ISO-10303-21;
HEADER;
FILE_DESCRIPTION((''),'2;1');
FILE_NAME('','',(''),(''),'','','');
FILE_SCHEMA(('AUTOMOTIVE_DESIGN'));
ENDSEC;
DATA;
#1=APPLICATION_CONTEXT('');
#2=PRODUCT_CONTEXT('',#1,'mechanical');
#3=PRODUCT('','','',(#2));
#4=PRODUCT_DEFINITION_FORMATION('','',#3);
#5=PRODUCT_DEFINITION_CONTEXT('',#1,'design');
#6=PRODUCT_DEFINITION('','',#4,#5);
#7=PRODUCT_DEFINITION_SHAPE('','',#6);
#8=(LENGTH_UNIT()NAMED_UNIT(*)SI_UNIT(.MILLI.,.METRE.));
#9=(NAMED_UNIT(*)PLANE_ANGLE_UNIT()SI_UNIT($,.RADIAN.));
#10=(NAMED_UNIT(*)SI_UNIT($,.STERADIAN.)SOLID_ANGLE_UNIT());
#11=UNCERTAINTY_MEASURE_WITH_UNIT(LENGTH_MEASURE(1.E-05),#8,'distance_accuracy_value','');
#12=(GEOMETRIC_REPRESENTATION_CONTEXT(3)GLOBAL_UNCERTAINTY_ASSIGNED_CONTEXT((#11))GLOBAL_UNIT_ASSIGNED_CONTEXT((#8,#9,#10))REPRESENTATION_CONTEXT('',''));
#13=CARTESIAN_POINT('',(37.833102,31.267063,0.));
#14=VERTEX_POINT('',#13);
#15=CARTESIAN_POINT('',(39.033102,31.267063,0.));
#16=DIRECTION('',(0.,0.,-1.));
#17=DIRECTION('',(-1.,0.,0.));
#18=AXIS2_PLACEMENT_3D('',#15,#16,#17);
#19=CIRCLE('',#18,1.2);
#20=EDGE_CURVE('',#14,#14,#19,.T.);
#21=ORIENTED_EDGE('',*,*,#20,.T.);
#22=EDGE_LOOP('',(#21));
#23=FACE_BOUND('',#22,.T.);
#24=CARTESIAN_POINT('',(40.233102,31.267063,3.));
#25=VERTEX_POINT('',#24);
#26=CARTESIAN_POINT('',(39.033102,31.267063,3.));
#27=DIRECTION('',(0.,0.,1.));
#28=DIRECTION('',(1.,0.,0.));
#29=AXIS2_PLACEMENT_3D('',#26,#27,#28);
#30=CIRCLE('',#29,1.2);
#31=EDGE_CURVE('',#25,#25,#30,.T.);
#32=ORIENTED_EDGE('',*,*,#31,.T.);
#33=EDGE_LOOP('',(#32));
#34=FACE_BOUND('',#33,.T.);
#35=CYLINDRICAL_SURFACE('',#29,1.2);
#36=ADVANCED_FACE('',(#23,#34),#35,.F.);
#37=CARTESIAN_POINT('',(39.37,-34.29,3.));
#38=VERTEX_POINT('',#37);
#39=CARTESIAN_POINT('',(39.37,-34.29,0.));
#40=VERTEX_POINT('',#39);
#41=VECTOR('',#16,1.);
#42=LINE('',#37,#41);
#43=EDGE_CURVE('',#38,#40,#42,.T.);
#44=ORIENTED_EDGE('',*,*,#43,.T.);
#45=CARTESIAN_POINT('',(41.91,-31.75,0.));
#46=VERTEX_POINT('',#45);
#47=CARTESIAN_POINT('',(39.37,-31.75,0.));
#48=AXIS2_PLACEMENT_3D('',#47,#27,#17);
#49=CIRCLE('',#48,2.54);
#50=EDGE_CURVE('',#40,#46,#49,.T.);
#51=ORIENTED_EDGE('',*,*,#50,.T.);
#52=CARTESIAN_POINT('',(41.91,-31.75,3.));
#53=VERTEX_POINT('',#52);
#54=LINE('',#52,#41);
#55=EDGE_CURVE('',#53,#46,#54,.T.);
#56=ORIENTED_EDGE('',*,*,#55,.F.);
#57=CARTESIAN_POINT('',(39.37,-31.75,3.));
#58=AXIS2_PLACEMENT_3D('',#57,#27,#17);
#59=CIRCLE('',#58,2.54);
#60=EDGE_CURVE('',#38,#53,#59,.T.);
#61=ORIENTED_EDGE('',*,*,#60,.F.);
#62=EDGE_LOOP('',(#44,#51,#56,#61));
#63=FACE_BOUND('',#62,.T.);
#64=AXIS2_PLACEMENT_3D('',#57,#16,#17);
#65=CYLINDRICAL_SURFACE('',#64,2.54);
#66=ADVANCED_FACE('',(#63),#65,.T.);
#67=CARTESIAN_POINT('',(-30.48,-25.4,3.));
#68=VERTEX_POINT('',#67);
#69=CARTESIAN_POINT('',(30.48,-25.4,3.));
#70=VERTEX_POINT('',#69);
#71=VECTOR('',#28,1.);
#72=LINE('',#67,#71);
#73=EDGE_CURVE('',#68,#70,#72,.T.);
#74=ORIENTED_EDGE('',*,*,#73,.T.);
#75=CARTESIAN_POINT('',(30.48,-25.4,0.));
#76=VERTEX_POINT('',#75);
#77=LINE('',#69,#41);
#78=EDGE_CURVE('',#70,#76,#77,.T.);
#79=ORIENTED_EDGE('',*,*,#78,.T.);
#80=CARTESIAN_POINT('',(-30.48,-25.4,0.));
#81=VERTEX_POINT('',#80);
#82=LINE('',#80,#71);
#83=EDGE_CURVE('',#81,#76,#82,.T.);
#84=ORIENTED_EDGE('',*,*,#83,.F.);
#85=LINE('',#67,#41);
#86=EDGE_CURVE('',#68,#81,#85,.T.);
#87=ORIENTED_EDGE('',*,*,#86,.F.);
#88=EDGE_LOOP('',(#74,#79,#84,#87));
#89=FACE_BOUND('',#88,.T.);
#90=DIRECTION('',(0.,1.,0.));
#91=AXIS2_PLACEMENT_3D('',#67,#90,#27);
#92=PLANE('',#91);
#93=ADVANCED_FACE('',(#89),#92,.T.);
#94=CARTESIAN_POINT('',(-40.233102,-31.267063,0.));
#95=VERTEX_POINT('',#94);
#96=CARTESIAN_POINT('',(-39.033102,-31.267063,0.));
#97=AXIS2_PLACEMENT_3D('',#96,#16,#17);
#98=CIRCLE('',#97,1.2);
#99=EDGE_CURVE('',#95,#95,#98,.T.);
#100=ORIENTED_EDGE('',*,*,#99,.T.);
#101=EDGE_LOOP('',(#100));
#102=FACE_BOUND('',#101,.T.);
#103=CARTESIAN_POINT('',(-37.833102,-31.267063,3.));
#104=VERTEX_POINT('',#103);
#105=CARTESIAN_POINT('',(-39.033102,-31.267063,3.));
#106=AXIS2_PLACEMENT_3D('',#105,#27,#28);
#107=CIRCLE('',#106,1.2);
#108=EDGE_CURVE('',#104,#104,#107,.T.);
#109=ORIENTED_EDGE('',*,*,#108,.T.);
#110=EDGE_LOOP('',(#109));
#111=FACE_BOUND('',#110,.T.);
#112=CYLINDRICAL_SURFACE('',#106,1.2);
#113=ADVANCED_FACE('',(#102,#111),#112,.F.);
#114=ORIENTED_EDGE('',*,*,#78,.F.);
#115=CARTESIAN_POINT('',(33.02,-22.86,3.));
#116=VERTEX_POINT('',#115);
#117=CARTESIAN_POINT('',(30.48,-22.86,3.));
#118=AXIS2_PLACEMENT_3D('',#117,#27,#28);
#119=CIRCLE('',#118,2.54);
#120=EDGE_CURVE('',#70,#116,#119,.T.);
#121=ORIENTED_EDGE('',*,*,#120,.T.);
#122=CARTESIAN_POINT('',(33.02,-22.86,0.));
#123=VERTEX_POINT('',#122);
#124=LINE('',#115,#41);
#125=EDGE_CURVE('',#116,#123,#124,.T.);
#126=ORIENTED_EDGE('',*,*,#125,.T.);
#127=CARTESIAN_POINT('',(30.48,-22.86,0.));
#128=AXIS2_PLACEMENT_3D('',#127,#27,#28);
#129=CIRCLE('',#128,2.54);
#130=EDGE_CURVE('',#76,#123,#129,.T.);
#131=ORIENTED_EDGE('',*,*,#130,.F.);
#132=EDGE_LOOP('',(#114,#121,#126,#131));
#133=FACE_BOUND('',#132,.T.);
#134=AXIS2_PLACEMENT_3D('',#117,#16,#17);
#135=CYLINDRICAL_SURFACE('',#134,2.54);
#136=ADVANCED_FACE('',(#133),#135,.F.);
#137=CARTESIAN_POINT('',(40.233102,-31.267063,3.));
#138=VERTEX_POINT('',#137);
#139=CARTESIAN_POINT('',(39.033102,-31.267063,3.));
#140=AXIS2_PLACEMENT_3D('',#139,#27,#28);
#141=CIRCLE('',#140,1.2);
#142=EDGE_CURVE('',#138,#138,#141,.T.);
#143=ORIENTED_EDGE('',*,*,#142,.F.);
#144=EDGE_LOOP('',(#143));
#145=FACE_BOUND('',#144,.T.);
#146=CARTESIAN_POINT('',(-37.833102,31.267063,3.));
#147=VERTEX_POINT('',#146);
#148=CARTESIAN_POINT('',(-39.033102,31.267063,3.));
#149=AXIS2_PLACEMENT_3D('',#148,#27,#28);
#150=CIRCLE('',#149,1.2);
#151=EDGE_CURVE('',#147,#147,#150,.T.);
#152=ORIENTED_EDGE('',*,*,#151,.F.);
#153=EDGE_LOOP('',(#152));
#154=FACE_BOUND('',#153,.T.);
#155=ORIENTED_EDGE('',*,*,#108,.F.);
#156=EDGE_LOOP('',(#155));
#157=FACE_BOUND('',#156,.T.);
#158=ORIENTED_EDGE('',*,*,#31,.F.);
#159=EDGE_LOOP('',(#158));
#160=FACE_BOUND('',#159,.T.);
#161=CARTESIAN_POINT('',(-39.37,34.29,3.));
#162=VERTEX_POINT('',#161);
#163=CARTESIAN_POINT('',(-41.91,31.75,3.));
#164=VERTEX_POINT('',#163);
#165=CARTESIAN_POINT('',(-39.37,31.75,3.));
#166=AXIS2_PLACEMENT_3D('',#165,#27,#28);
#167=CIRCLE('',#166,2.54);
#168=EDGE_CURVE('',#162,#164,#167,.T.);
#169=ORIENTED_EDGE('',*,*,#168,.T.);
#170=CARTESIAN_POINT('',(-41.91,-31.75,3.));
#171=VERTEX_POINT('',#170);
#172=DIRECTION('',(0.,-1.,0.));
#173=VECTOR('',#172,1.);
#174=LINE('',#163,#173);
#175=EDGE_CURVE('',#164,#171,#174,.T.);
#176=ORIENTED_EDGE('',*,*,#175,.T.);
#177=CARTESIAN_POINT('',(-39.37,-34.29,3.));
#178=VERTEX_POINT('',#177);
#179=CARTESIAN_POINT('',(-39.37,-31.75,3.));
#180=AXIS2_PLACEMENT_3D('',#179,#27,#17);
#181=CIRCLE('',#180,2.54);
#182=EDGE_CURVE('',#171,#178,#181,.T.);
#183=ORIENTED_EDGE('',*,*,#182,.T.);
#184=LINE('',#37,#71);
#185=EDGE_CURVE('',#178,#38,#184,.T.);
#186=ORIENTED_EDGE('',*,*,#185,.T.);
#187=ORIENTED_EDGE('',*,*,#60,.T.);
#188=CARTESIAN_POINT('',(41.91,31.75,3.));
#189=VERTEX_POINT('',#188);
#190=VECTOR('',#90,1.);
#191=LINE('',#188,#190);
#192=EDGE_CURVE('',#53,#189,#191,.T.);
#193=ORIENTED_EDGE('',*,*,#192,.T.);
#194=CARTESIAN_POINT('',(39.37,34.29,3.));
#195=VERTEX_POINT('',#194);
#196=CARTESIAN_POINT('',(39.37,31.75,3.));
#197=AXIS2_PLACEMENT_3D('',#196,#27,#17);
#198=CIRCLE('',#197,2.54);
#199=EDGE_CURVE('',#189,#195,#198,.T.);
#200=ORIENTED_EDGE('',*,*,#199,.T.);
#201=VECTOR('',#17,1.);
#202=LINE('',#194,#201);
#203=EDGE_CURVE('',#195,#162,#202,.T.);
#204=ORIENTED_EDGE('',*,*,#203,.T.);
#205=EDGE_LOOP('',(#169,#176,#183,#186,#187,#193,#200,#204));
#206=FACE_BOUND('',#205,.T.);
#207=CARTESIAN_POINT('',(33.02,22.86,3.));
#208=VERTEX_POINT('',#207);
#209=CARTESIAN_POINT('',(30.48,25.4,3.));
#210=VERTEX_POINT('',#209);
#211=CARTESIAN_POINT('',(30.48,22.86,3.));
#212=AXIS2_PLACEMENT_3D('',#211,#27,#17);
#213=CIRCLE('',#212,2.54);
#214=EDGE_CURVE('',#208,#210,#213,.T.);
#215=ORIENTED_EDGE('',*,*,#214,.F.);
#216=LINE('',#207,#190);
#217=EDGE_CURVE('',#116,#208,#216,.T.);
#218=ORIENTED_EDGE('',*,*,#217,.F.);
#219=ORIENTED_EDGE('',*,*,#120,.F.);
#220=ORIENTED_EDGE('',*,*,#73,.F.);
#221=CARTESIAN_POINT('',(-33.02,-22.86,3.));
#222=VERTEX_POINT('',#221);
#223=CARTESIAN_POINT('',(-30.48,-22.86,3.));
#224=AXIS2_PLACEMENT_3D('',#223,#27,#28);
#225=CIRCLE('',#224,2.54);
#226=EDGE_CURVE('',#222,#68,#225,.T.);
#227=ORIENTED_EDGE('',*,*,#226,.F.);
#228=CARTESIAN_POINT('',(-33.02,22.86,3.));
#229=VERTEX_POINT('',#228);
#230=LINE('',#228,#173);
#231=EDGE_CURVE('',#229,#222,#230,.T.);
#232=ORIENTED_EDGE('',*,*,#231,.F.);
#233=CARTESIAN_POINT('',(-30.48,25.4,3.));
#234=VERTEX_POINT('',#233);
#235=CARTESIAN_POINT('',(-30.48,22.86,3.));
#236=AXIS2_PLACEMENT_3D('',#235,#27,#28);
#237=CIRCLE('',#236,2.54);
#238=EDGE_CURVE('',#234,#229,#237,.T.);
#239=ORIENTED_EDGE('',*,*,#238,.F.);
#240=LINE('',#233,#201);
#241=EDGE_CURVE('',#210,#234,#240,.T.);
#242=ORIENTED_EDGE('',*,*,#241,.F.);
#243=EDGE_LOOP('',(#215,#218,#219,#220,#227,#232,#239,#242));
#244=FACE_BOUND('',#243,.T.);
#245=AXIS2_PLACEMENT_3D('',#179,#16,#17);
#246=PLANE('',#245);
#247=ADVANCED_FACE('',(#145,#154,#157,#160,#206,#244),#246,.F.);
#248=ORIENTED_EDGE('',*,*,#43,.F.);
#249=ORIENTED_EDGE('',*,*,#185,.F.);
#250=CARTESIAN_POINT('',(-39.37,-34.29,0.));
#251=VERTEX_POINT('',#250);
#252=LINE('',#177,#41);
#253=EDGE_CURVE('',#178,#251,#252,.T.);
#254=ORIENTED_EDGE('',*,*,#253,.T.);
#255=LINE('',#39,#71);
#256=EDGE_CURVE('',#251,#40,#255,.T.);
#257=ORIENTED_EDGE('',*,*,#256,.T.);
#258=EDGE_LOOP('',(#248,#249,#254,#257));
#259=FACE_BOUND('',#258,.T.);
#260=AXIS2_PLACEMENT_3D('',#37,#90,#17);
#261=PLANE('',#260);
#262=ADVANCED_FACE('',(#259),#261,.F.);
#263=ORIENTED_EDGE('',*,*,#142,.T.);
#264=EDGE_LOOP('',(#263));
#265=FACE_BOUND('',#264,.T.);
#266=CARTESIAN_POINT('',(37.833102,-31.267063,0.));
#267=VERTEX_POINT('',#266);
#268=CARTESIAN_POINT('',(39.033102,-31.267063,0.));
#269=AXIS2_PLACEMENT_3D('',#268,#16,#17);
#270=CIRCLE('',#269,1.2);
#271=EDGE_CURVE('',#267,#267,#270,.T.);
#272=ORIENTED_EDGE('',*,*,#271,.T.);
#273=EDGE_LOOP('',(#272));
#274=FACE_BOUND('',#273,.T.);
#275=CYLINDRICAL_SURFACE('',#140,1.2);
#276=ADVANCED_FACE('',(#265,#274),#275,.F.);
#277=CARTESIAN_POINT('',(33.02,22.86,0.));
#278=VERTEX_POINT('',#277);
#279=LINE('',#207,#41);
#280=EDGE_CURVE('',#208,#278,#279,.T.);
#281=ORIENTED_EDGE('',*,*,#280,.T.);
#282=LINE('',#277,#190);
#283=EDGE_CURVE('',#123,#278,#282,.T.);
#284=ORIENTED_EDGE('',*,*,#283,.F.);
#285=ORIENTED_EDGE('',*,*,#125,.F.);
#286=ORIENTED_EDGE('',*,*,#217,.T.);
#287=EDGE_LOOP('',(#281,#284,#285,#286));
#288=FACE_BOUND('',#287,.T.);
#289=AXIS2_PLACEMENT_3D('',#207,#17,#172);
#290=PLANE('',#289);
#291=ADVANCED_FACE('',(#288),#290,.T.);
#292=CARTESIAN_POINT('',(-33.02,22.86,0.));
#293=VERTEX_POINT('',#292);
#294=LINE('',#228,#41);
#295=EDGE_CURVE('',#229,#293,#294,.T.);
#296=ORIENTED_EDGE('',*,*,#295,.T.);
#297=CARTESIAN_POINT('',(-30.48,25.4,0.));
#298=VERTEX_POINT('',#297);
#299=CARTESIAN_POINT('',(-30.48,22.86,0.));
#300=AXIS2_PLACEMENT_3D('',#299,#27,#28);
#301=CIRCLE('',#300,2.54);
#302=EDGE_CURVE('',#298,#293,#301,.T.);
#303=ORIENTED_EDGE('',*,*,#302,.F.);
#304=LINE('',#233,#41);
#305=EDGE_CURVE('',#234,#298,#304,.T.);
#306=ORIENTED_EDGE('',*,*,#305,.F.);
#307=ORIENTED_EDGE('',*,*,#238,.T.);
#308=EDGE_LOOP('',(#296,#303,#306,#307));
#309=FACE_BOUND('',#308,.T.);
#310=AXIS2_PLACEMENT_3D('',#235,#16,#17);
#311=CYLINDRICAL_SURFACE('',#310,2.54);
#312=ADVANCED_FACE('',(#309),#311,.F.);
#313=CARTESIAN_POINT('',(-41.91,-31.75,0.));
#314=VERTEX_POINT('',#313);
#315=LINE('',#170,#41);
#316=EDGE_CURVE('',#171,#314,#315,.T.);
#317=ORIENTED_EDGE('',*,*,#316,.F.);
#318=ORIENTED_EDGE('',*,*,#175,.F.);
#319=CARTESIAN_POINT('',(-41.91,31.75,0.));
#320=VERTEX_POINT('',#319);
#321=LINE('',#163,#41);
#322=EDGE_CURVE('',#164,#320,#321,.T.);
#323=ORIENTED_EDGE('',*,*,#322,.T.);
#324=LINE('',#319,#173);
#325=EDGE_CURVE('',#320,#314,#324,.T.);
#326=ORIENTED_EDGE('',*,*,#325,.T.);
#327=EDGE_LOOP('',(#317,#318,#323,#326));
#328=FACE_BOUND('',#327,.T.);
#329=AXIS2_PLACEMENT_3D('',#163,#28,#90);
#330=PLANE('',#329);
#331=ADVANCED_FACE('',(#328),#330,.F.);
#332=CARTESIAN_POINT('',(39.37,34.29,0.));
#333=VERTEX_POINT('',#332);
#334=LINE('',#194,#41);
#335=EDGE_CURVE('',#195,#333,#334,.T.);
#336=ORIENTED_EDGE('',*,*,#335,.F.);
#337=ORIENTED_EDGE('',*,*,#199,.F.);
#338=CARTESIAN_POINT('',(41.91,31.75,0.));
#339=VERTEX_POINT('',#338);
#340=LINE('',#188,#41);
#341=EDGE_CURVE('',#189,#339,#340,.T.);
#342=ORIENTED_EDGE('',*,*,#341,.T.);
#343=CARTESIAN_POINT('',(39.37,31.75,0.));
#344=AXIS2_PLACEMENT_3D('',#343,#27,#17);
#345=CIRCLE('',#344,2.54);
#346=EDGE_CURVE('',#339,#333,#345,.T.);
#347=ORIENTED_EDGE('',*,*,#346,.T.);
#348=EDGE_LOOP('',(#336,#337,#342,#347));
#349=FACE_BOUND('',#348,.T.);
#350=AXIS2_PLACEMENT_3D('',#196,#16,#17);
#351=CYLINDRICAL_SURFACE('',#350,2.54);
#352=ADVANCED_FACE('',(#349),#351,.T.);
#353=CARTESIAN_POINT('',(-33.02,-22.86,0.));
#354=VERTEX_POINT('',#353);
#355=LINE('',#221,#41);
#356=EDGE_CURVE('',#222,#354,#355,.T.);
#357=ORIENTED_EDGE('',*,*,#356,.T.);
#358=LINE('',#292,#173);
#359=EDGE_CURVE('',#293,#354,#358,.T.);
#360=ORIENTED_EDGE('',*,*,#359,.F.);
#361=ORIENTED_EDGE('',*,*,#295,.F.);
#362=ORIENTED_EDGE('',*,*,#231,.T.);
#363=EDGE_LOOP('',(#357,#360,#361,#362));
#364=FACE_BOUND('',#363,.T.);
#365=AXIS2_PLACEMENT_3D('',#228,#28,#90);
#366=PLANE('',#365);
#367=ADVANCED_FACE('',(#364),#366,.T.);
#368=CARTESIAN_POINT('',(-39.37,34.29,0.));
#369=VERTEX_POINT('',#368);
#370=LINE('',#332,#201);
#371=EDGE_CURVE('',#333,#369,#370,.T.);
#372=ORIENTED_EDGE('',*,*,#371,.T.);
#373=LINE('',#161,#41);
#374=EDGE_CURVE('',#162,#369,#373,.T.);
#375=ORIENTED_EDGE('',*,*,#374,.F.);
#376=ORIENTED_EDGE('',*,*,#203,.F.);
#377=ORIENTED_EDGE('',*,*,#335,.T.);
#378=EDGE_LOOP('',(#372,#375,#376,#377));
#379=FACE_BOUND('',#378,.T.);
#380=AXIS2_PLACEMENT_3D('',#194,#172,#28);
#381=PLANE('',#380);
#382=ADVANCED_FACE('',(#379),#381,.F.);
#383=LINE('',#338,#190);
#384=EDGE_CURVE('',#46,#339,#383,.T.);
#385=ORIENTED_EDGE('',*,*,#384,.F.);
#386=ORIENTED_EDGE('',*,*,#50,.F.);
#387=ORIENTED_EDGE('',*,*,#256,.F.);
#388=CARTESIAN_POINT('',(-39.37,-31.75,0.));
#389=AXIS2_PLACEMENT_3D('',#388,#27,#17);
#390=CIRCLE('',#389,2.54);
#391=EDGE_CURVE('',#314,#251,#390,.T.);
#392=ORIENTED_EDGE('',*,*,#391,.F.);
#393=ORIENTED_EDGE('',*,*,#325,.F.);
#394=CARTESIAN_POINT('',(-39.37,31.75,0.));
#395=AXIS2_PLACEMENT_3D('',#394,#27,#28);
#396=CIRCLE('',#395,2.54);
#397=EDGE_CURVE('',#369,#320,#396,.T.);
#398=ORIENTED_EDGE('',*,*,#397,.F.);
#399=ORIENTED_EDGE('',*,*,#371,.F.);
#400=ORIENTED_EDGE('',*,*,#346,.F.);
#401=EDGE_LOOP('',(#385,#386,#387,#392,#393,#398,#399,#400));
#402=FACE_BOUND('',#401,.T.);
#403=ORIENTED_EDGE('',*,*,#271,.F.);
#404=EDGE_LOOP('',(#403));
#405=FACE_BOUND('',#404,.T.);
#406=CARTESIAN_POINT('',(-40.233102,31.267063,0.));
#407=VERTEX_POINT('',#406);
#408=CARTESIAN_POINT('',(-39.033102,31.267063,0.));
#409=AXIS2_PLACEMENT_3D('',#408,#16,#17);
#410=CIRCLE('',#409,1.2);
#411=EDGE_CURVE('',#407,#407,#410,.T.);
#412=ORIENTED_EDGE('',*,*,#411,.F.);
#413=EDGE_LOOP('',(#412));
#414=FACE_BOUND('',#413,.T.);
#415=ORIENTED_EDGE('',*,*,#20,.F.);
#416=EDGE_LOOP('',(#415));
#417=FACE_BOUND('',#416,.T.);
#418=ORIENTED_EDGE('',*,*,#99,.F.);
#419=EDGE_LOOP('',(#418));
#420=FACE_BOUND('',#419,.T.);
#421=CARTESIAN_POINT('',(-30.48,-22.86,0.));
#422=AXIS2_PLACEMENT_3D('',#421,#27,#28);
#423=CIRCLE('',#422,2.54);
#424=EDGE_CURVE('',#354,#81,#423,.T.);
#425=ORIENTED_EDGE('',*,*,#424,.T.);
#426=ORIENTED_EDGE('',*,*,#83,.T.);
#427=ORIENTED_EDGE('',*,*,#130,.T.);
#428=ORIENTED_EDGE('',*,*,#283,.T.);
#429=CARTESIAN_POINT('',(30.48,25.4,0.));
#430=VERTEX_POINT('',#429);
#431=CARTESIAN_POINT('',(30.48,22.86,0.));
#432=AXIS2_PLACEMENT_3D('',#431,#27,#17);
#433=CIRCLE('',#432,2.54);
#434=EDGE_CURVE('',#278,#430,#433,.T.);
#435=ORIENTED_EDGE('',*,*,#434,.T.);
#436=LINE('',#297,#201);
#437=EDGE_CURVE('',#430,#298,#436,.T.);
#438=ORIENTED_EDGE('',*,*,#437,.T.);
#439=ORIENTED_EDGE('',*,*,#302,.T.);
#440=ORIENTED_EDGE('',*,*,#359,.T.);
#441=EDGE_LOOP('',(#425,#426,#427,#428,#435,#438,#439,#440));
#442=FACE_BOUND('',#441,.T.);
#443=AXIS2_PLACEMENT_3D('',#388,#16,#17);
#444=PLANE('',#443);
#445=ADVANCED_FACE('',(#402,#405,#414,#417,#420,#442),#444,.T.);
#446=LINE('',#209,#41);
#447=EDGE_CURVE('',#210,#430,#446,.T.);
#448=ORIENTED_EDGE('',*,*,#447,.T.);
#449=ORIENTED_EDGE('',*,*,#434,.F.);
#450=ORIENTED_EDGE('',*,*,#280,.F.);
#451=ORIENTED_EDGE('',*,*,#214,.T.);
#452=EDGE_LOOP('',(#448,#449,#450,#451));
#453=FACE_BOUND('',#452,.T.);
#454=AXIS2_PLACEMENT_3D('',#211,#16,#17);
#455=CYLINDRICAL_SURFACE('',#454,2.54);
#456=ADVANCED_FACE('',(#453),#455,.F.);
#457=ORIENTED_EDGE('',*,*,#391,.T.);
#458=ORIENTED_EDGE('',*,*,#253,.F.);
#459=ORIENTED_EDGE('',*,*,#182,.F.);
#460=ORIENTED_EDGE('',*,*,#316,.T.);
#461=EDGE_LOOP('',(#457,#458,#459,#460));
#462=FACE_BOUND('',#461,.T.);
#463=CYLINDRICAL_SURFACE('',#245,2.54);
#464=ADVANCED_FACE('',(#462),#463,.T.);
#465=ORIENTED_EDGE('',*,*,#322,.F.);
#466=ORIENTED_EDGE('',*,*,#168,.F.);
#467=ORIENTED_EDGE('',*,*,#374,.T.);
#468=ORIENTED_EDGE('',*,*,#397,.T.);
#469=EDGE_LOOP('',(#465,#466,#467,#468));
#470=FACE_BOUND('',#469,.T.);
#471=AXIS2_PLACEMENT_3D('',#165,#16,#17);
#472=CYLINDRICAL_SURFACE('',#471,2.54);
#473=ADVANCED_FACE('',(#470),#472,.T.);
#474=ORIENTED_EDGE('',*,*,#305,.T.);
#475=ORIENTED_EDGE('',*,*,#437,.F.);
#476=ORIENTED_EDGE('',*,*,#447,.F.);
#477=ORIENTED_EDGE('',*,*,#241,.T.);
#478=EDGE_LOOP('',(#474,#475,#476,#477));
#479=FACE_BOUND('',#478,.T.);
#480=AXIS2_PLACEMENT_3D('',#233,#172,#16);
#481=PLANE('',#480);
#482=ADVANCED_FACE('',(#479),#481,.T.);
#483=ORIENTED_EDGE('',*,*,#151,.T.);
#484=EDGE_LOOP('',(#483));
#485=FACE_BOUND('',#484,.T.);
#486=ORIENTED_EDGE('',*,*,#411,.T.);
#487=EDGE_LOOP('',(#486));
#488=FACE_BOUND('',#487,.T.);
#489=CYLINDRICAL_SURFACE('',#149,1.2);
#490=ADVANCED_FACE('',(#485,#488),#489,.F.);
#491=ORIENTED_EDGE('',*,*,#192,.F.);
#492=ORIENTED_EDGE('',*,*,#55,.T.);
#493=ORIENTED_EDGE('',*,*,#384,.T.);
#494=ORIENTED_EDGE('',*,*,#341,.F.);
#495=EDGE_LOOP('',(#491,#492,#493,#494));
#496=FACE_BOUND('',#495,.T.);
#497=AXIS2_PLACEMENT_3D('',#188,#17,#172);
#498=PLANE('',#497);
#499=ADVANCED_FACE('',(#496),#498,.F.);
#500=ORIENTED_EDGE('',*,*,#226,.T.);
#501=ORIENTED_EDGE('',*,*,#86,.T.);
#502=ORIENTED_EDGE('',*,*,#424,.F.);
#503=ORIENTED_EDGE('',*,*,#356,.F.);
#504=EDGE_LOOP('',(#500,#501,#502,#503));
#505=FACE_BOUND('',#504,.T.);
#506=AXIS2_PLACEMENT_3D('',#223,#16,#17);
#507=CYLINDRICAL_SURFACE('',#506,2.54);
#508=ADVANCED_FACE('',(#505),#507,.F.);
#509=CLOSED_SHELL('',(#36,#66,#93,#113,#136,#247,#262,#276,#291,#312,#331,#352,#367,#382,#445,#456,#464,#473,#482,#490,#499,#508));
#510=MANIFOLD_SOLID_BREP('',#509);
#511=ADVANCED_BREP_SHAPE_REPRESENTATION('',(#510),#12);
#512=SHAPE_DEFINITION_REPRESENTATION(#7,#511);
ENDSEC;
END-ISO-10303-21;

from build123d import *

# Parameters (mm, degrees)
BOSS_EXTRUDE1_DEPTH = 3


with BuildPart() as part:
    # Sketch1 → Boss-Extrude1 (new body)
    with BuildSketch(Plane.XY):
        with BuildLine():
            Line((39.37, 34.29), (-39.37, 34.29))
            ThreePointArc((-39.37, 34.29), (-41.166051224, 33.546051224), (-41.91, 31.75))
            Line((-41.91, 31.75), (-41.91, -31.75))
            ThreePointArc((-41.91, -31.75), (-41.166051224, -33.546051224), (-39.37, -34.29))
            Line((-39.37, -34.29), (39.37, -34.29))
            ThreePointArc((39.37, -34.29), (41.166051224, -33.546051224), (41.91, -31.75))
            Line((41.91, -31.75), (41.91, 31.75))
            ThreePointArc((41.91, 31.75), (41.166051224, 33.546051224), (39.37, 34.29))
        make_face()
        with BuildLine():
            Line((-30.48, 25.4), (30.48, 25.4))
            ThreePointArc((30.48, 25.4), (32.276051224, 24.656051224), (33.02, 22.86))
            Line((33.02, 22.86), (33.02, -22.86))
            ThreePointArc((33.02, -22.86), (32.276051224, -24.656051224), (30.48, -25.4))
            Line((30.48, -25.4), (-30.48, -25.4))
            ThreePointArc((-30.48, -25.4), (-32.276051224, -24.656051224), (-33.02, -22.86))
            Line((-33.02, -22.86), (-33.02, 22.86))
            ThreePointArc((-33.02, 22.86), (-32.276051224, 24.656051224), (-30.48, 25.4))
        make_face(mode=Mode.SUBTRACT)
    extrude(amount=BOSS_EXTRUDE1_DEPTH)

    # Sketch3 → M2 Clearance Hole1 (revolve, cut)
    with BuildSketch(Plane(origin=(-39.033101712, 31.267063068, 3), x_dir=(0, -1, 0), z_dir=(1, 0, 0))):
        Polygon((0, 0), (0, 3.769032743), (1.2, 3.048), (1.2, 0), align=None)
    m2_clearance_hole1 = revolve(axis=Axis((-39.033101712, 31.267063068, 9.35), (0, 0, -1)), mode=Mode.SUBTRACT)

    # Mirror1: M2 Clearance Hole1 across plane
    add(m2_clearance_hole1.mirror(Plane.ZX), mode=Mode.SUBTRACT)

    # Mirror2: M2 Clearance Hole1 across plane
    add(m2_clearance_hole1.mirror(Plane(origin=(0, 0, 0), x_dir=(0, 0, 1), z_dir=(1, 0, 0))), mode=Mode.SUBTRACT)

    # Mirror2 copy 1 sketch → Mirror2 copy 1 (revolve, cut)
    with BuildSketch(Plane(origin=(39.033101712, -31.267063068, 3), x_dir=(0, 1, 0), z_dir=(-1, 0, 0))):
        Polygon((0, 0), (0, 3.769032743), (1.2, 3.048), (1.2, 0), align=None)
    revolve(axis=Axis((39.033101712, -31.267063068, 9.35), (0, 0, -1)), mode=Mode.SUBTRACT)


solid = part.part
